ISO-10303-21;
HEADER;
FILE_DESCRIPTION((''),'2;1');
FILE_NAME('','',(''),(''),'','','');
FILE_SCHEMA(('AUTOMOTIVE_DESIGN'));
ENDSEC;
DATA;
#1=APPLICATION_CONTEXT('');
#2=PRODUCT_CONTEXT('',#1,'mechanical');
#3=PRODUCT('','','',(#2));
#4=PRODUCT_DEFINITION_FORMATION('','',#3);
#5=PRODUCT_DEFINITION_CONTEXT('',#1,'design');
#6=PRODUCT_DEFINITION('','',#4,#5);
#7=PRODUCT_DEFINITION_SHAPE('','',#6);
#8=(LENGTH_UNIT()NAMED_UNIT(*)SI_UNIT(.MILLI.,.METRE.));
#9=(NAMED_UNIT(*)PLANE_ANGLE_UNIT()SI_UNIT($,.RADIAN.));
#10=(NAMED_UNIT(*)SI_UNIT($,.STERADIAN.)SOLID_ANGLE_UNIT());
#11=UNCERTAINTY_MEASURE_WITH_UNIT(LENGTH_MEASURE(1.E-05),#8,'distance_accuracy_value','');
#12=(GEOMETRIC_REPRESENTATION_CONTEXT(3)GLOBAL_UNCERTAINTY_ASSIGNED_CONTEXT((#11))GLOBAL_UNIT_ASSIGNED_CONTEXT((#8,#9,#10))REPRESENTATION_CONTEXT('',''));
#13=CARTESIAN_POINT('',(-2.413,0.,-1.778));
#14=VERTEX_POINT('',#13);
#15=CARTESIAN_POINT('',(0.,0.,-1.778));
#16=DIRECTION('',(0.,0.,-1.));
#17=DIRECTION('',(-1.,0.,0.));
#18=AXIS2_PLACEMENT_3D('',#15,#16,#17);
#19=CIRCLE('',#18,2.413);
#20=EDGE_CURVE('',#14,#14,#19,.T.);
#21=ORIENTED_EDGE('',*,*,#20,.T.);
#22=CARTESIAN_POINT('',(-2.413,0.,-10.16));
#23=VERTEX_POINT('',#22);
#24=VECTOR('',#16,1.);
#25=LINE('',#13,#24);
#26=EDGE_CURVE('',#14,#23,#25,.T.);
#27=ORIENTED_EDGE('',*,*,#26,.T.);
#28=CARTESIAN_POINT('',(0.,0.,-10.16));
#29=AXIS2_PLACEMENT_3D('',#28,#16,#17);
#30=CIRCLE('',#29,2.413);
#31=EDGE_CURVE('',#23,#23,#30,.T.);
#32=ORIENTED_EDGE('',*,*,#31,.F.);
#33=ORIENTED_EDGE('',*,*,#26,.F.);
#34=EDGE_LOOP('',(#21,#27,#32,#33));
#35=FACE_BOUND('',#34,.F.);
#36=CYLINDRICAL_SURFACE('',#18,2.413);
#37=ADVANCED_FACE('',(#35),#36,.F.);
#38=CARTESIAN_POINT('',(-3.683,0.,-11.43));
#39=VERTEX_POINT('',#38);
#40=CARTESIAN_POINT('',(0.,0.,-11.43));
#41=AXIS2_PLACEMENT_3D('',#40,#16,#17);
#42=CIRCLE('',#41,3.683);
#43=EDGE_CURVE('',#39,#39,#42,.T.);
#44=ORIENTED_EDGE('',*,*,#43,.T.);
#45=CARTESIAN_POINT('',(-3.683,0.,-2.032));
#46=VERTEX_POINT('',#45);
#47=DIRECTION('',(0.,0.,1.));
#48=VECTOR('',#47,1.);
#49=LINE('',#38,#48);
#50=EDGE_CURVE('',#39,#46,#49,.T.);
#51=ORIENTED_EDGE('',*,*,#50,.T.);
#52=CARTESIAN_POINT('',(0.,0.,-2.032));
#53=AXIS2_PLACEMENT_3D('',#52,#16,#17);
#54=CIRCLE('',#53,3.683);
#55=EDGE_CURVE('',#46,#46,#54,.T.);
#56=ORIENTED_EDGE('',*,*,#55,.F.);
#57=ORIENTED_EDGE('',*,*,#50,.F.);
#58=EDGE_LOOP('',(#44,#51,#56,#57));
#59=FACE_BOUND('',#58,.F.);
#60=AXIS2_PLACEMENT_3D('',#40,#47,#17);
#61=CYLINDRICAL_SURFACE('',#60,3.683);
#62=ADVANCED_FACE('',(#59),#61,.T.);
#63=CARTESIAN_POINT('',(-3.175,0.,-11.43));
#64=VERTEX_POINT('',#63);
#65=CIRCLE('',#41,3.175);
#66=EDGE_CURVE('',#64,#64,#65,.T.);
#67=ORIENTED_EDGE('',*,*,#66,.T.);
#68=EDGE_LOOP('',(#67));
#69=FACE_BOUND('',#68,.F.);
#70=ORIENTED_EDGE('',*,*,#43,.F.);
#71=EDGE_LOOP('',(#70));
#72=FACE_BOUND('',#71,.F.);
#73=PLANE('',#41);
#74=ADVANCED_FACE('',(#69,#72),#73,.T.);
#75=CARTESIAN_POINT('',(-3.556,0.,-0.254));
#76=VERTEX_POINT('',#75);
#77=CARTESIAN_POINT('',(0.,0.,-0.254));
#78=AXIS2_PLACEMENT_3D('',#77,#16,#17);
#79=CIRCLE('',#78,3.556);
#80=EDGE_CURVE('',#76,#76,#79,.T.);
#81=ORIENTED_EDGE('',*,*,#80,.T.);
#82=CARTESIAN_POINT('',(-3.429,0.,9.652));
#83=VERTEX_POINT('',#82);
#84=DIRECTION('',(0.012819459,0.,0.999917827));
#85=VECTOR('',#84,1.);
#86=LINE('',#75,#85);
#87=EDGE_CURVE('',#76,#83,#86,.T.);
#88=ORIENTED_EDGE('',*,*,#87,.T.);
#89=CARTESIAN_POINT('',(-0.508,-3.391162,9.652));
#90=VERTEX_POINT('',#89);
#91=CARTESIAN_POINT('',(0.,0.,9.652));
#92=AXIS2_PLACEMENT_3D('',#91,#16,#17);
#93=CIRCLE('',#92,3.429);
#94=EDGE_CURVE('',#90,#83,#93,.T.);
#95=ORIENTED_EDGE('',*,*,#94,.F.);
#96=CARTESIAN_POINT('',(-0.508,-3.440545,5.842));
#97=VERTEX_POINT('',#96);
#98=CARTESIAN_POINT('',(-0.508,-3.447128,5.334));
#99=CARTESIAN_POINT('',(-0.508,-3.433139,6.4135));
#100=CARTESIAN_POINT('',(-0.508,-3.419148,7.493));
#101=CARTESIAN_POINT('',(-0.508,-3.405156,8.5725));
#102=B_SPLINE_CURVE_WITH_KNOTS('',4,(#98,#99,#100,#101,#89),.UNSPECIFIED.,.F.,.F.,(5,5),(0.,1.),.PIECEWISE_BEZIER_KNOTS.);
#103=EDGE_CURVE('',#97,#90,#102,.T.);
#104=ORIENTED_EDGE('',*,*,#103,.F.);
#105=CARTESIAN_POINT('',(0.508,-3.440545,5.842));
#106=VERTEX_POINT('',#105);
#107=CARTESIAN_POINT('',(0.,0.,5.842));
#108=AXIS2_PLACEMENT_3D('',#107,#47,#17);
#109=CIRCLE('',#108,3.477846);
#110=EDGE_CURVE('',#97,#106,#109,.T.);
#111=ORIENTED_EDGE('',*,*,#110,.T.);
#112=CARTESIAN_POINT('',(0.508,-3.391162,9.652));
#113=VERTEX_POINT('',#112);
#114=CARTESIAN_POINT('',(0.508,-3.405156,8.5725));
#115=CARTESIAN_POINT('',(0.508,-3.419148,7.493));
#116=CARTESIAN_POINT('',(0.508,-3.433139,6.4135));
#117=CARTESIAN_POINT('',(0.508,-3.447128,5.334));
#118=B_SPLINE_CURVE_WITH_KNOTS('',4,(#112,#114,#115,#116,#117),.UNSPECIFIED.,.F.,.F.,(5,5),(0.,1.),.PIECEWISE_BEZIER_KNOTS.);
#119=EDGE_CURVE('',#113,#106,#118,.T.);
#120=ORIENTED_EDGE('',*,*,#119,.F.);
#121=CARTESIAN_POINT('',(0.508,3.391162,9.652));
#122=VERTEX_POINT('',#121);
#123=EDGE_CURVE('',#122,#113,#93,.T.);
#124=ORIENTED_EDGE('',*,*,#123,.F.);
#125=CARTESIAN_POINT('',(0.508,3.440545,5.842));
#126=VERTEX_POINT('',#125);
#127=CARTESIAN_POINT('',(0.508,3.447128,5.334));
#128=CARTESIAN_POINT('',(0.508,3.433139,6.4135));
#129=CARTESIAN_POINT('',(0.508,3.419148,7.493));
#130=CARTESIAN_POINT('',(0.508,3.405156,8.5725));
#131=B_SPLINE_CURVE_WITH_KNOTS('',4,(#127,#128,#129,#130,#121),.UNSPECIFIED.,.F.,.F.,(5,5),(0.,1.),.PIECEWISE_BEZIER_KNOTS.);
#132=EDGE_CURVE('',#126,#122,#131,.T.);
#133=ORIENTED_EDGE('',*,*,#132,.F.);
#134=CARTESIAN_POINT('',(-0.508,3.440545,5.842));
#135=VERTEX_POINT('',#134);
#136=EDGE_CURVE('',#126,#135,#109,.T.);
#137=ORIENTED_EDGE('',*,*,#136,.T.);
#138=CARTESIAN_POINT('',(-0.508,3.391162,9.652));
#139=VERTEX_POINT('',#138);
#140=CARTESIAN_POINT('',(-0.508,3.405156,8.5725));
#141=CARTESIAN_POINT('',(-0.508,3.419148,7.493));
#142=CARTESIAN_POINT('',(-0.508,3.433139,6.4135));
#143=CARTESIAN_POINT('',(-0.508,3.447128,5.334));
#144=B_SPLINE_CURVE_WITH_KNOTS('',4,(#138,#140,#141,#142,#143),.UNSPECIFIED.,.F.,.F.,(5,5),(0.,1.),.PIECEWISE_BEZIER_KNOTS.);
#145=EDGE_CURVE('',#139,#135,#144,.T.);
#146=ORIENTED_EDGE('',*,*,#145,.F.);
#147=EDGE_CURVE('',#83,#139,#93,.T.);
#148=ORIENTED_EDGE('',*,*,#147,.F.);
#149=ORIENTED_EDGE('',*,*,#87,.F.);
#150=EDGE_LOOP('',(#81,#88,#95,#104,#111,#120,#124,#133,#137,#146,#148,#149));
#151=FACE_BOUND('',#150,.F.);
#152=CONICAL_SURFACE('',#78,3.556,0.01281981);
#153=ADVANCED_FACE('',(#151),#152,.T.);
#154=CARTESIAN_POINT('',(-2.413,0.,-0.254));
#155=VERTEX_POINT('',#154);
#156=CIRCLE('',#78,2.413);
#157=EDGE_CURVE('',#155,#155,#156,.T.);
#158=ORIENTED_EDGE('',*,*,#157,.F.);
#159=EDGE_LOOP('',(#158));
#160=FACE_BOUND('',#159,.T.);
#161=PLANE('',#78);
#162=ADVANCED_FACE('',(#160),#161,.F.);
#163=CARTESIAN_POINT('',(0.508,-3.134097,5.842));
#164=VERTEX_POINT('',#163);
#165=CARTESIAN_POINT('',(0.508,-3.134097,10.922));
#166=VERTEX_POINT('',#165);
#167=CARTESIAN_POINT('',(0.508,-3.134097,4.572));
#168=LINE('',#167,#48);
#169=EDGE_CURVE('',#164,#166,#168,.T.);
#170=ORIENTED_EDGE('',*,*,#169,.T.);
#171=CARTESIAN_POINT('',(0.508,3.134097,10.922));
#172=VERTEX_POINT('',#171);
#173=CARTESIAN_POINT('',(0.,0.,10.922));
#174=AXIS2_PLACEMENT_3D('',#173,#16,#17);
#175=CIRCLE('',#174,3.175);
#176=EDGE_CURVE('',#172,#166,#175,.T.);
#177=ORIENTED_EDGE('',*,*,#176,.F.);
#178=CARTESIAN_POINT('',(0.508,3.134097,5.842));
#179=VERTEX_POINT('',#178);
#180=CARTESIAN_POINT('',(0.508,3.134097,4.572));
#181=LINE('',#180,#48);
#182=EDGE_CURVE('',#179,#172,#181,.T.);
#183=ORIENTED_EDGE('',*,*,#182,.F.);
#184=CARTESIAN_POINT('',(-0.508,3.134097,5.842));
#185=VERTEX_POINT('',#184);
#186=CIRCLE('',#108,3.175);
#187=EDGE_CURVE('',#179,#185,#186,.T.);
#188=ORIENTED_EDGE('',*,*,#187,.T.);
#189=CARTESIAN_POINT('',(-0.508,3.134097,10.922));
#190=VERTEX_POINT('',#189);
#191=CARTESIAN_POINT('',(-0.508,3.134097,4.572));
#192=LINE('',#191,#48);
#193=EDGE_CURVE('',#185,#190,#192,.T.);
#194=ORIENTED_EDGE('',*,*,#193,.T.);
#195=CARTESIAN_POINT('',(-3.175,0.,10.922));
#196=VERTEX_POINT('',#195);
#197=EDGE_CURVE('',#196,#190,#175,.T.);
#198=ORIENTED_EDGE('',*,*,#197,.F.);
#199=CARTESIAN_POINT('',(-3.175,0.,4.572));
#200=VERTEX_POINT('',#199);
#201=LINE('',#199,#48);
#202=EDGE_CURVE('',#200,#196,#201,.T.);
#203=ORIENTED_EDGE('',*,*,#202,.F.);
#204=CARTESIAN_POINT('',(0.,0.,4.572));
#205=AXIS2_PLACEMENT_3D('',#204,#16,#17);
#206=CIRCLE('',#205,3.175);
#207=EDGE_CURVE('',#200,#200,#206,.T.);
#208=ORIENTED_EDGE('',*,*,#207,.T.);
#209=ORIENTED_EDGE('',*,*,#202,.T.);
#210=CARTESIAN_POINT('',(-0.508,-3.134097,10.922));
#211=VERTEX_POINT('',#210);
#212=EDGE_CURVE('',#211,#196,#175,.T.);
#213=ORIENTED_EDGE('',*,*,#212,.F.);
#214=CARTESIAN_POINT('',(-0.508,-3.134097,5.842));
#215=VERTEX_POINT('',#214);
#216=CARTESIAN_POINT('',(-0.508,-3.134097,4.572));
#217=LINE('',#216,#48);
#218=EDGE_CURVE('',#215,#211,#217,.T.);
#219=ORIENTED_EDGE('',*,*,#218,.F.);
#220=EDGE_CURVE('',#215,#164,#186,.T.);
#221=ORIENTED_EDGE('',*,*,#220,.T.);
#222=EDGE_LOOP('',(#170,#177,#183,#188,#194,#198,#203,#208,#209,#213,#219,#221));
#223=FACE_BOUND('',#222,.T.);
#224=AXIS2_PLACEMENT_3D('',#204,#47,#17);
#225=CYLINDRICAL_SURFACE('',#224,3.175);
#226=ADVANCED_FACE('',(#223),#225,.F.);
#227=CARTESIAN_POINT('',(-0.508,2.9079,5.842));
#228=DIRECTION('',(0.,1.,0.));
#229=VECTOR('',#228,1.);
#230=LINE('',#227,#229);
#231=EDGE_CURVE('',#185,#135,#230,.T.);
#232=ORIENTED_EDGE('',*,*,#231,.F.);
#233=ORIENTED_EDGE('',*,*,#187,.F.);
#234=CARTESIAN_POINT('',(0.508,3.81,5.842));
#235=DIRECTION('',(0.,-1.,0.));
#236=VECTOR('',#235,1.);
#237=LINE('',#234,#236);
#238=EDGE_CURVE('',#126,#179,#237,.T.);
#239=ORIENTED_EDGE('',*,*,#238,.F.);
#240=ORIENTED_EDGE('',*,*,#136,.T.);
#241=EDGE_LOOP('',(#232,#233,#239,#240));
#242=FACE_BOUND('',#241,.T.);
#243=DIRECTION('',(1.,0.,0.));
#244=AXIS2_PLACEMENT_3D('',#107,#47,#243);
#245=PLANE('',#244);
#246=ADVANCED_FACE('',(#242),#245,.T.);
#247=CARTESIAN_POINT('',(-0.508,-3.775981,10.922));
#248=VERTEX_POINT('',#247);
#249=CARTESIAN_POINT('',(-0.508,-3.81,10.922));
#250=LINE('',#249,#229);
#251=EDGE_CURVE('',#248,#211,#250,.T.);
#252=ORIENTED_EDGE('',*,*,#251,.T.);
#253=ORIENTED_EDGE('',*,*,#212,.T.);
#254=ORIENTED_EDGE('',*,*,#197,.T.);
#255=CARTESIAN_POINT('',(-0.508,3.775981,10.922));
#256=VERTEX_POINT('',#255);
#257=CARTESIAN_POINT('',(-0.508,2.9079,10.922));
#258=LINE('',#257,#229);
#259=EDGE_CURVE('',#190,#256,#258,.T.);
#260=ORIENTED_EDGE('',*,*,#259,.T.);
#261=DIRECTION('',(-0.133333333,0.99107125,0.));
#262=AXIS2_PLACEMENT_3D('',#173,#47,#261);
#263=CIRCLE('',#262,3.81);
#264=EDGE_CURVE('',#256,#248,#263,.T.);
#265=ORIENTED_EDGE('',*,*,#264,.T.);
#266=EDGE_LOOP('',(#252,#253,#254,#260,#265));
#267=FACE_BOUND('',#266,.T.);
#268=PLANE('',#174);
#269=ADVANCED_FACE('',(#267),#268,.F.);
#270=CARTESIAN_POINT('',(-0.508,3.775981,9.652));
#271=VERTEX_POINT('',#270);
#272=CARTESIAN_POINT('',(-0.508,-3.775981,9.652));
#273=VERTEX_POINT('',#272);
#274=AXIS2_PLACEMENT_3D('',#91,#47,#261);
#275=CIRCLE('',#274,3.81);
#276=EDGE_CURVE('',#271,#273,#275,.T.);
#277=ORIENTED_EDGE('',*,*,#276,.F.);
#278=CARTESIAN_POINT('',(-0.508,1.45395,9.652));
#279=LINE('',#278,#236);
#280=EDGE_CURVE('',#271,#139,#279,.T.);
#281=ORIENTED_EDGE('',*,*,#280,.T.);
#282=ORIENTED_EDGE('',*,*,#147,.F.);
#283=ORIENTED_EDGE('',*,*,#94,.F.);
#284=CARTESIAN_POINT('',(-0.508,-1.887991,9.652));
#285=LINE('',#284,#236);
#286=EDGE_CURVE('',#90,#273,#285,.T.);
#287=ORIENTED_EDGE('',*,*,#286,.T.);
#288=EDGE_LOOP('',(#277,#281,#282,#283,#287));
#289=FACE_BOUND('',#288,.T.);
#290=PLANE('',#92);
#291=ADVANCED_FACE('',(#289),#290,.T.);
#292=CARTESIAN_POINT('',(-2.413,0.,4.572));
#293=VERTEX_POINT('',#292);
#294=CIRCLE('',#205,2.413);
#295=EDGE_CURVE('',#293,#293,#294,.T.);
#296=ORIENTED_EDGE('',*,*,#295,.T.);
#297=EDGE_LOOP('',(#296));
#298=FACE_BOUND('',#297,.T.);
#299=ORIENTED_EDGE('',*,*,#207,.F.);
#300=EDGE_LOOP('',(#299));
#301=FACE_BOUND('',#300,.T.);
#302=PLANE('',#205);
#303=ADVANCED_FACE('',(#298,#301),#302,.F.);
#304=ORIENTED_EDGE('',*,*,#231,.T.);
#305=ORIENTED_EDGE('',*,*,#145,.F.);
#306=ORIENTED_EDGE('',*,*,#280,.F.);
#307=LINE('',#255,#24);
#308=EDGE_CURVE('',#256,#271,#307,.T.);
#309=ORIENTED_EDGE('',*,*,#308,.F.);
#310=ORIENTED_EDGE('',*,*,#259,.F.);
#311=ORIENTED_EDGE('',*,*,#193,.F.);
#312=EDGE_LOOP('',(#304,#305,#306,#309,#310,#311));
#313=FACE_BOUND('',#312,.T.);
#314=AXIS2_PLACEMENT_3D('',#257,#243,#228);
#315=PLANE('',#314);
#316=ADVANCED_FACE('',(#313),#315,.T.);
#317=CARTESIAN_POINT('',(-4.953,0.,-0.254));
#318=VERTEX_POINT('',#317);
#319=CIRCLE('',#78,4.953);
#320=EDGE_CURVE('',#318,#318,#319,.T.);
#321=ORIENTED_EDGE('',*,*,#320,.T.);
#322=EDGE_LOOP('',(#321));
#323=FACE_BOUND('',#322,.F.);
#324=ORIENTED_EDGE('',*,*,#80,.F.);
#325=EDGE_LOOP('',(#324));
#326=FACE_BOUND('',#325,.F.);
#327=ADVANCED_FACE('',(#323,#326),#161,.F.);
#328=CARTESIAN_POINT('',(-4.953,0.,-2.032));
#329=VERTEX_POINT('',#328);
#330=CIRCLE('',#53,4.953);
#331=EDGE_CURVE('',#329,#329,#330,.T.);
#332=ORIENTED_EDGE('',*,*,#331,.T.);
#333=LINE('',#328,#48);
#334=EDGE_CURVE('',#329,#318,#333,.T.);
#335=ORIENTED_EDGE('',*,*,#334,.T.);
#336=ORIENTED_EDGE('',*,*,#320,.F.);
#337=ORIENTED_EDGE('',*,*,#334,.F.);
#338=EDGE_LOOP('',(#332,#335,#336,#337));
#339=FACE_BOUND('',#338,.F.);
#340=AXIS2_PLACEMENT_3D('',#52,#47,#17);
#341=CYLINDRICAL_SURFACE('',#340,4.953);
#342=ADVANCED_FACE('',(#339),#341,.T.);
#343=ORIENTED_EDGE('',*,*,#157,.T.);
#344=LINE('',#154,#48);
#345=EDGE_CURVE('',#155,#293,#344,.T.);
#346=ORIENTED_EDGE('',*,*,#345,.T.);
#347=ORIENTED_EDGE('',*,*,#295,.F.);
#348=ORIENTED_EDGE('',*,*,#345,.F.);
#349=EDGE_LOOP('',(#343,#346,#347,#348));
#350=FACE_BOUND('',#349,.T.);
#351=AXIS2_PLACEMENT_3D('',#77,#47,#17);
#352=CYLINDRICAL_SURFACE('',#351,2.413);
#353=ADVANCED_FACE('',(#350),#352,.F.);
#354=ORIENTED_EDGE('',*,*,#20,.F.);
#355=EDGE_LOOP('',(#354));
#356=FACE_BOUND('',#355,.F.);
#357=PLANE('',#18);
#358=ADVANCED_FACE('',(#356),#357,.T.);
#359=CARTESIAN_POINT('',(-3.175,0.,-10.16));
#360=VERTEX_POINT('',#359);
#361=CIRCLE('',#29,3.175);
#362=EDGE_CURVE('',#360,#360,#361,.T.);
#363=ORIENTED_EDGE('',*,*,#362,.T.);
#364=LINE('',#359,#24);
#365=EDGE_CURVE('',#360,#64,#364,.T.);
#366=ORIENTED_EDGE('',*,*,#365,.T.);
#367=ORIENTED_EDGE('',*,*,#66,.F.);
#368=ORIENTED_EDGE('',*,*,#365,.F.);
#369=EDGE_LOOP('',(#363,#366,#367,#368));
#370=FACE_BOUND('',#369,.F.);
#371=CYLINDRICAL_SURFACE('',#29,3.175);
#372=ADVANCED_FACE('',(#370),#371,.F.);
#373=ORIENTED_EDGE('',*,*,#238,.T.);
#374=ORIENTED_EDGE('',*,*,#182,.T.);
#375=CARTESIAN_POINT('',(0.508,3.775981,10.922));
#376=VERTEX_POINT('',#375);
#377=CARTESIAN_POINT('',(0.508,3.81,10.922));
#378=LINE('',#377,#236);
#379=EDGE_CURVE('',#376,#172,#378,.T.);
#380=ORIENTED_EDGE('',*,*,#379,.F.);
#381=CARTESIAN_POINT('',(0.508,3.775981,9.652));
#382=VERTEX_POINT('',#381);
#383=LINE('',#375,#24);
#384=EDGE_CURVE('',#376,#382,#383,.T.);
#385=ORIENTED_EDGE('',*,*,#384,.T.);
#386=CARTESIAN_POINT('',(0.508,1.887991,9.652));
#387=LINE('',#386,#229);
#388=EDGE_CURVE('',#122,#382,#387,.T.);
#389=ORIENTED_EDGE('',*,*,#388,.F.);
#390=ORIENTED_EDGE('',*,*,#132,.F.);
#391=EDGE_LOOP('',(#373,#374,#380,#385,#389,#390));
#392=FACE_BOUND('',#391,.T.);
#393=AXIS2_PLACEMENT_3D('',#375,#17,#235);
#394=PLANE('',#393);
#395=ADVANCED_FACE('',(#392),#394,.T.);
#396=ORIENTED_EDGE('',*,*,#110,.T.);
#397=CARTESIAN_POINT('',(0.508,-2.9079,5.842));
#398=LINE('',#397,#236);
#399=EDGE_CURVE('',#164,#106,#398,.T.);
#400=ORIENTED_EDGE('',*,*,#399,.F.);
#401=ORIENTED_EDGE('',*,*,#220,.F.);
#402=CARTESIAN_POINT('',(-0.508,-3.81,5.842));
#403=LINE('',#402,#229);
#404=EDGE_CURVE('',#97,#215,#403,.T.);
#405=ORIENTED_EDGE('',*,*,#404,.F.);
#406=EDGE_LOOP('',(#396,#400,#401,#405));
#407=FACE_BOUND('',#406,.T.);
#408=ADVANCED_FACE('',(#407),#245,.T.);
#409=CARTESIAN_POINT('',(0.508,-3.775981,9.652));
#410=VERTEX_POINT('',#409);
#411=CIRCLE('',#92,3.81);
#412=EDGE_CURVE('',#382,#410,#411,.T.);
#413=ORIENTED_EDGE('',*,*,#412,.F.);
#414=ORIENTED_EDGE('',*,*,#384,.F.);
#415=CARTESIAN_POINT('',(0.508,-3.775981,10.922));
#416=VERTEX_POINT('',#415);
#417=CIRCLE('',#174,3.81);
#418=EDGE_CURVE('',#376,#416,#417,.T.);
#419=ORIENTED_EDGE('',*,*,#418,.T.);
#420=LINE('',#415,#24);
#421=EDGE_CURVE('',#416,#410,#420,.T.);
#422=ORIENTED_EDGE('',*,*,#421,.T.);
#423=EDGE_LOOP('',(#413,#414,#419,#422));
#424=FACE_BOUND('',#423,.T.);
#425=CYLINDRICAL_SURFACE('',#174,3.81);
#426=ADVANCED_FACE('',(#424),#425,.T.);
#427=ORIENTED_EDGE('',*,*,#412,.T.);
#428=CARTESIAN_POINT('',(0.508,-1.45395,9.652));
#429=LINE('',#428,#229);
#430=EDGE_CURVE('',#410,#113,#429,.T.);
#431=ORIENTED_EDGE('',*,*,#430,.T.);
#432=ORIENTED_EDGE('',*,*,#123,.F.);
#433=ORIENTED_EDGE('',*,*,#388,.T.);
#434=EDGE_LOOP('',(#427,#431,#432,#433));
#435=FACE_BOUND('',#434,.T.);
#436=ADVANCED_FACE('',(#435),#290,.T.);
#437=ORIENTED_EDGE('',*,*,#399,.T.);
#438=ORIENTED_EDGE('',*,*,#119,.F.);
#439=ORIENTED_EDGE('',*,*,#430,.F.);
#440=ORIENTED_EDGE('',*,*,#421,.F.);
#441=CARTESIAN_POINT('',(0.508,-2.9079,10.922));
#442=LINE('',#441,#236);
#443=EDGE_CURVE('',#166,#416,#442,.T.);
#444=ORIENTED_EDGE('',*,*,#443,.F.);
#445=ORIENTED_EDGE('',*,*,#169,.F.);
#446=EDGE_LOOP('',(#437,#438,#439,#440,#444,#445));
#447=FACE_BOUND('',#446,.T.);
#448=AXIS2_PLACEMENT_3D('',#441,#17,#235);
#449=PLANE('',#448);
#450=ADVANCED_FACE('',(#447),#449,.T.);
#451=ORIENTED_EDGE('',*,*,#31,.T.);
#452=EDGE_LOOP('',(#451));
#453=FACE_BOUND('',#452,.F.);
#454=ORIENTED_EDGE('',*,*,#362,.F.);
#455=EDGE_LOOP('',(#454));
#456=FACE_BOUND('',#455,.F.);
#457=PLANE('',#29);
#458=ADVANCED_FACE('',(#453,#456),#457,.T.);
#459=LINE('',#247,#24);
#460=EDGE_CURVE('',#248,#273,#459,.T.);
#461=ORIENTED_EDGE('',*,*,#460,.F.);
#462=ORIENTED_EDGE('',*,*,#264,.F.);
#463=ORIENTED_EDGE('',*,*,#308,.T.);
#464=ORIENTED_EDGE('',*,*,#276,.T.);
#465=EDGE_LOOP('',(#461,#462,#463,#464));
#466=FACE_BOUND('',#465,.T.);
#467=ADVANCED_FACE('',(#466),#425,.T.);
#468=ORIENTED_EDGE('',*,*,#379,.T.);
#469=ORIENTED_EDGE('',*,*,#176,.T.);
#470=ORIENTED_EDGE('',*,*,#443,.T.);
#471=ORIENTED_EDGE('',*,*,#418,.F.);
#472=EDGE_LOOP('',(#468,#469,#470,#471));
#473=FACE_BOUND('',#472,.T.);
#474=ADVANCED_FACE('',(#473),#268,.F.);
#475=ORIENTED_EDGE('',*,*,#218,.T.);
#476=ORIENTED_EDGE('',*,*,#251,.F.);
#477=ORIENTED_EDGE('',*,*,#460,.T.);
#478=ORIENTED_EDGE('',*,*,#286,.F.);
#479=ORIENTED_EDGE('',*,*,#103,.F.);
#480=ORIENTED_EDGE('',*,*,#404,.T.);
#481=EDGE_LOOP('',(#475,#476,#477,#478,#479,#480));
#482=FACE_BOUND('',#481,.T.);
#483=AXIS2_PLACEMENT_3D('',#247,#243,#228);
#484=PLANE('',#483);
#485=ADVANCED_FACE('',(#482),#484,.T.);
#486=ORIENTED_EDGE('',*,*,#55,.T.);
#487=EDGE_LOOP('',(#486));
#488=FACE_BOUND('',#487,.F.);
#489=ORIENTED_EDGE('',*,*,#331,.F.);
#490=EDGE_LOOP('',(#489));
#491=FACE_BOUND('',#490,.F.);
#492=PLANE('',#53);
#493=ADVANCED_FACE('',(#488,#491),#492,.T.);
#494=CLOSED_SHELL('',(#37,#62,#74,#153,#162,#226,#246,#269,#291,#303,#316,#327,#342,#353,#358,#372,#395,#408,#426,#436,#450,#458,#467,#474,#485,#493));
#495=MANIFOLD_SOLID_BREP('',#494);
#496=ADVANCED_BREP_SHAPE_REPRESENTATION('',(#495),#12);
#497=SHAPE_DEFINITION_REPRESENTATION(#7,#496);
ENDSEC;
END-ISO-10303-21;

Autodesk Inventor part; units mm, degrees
ref_plane "YZ Plane" through (0, 0, 0) normal (1, 0, 0) x (0, 1, 0)
ref_plane "XZ Plane" through (0, 0, 0) normal (0, 1, 0) x (-1, 0, 0)
ref_plane "XY Plane" through (0, 0, 0) normal (0, 0, 1) x (1, 0, 0)
sketch "Sketch1" plane through (0, 0, 0) normal (0, 1, 0) x (-1, 0, 0)
  line L0 (0, -1.778) -> (2.413, -1.778)
  line L1 (2.413, -1.778) -> (2.413, -10.16)
  line L2 (2.413, -10.16) -> (3.175, -10.16)
  line L3 (3.175, -10.16) -> (3.175, -11.43)
  line L4 (3.175, -11.43) -> (3.683, -11.43)
  line L5 (3.683, -11.43) -> (3.683, -2.032)
  line L6 (3.683, -2.032) -> (4.953, -2.032)
  line L7 (4.953, -2.032) -> (4.953, -0.254)
  line L8 (0, -0.254) -> (0, -1.778)
  line L9 (0, -0.254) -> (2.413, -0.254)
  line L10 (2.413, -0.254) -> (2.413, 4.572)
  line L11 (2.413, 4.572) -> (3.175, 4.572)
  line L12 (3.175, 4.572) -> (3.175, 10.922)
  line L13 (3.175, 10.922) -> (3.81, 10.922)
  line L14 (3.81, 10.922) -> (3.81, 9.652)
  line L15 (4.953, -0.254) -> (3.683, -0.254)
  line L16 (3.683, -0.254) -> (3.429, -0.254)
  line L17 (3.556, -0.254) -> (3.429, 9.652)
  line L18 (3.81, 9.652) -> (3.429, 9.652)
  line L19 (0, 10.922) -> (0, -12.4282) construction
  point P0 (0, 0)
  dimension "d0" = 1.778
  dimension "d1" = 2.413
  dimension "d2" = 8.382
  dimension "d3" = 0.762
  dimension "d4" = 1.27
  dimension "d5" = 0.508
  dimension "d6" = 9.398
  dimension "d7" = 1.27
  dimension "d8" = 1.778
  dimension "d9" = 4.826
  dimension "d10" = 0.762
  dimension "d11" = 6.35
  dimension "d12" = 0.635
  dimension "d13" = 1.27
  dimension "d14" = 1.27
  dimension "d15" = 0.254
revolve "Revolution1" add sketch "Sketch1" angle 360 about axis through (0, 0, 10.922) along (0, 0, -1)
sketch "Sketch2" plane through (0, 0, 10.922) normal (0, 0, 1) x (1, 0, 0)
  circle A0 centre (0, 0) radius 3.81 projected
  line L0 (0, 3.81) -> (0.508, 3.81)
  line L1 (0, 3.81) -> (0.508, 3.81) construction
  line L2 (0.508, 3.81) -> (0.508, 2.9079)
  line L3 (0.508, 2.9079) -> (-0.508, 2.9079)
  line L4 (-0.508, 2.9079) -> (-0.508, 3.81)
  line L5 (-0.508, 3.81) -> (0, 3.81)
  line L6 (-0.508, -2.9079) -> (0.508, -2.9079)
  line L7 (0.508, -2.9079) -> (0.508, -3.81)
  line L8 (-0.508, -3.81) -> (-0.508, -2.9079)
  line L9 (0.508, -3.81) -> (0, -3.81)
  point P0 (-0.508, -3.776)
  point P1 (0.508, -3.776)
  point P2 (0.508, 3.776)
  point P3 (-0.508, 3.776)
  dimension "d17" = 0.508
  dimension "d18" = 0
  dimension "d19" = 1.016
  dimension "d22" = 360
extrude "Extrusion1" cut sketch "Sketch2" against normal blind 5.08 contours L2 L3 L4 A0 | A0 L8 L6 L7
properties part number "AxleGBR"
